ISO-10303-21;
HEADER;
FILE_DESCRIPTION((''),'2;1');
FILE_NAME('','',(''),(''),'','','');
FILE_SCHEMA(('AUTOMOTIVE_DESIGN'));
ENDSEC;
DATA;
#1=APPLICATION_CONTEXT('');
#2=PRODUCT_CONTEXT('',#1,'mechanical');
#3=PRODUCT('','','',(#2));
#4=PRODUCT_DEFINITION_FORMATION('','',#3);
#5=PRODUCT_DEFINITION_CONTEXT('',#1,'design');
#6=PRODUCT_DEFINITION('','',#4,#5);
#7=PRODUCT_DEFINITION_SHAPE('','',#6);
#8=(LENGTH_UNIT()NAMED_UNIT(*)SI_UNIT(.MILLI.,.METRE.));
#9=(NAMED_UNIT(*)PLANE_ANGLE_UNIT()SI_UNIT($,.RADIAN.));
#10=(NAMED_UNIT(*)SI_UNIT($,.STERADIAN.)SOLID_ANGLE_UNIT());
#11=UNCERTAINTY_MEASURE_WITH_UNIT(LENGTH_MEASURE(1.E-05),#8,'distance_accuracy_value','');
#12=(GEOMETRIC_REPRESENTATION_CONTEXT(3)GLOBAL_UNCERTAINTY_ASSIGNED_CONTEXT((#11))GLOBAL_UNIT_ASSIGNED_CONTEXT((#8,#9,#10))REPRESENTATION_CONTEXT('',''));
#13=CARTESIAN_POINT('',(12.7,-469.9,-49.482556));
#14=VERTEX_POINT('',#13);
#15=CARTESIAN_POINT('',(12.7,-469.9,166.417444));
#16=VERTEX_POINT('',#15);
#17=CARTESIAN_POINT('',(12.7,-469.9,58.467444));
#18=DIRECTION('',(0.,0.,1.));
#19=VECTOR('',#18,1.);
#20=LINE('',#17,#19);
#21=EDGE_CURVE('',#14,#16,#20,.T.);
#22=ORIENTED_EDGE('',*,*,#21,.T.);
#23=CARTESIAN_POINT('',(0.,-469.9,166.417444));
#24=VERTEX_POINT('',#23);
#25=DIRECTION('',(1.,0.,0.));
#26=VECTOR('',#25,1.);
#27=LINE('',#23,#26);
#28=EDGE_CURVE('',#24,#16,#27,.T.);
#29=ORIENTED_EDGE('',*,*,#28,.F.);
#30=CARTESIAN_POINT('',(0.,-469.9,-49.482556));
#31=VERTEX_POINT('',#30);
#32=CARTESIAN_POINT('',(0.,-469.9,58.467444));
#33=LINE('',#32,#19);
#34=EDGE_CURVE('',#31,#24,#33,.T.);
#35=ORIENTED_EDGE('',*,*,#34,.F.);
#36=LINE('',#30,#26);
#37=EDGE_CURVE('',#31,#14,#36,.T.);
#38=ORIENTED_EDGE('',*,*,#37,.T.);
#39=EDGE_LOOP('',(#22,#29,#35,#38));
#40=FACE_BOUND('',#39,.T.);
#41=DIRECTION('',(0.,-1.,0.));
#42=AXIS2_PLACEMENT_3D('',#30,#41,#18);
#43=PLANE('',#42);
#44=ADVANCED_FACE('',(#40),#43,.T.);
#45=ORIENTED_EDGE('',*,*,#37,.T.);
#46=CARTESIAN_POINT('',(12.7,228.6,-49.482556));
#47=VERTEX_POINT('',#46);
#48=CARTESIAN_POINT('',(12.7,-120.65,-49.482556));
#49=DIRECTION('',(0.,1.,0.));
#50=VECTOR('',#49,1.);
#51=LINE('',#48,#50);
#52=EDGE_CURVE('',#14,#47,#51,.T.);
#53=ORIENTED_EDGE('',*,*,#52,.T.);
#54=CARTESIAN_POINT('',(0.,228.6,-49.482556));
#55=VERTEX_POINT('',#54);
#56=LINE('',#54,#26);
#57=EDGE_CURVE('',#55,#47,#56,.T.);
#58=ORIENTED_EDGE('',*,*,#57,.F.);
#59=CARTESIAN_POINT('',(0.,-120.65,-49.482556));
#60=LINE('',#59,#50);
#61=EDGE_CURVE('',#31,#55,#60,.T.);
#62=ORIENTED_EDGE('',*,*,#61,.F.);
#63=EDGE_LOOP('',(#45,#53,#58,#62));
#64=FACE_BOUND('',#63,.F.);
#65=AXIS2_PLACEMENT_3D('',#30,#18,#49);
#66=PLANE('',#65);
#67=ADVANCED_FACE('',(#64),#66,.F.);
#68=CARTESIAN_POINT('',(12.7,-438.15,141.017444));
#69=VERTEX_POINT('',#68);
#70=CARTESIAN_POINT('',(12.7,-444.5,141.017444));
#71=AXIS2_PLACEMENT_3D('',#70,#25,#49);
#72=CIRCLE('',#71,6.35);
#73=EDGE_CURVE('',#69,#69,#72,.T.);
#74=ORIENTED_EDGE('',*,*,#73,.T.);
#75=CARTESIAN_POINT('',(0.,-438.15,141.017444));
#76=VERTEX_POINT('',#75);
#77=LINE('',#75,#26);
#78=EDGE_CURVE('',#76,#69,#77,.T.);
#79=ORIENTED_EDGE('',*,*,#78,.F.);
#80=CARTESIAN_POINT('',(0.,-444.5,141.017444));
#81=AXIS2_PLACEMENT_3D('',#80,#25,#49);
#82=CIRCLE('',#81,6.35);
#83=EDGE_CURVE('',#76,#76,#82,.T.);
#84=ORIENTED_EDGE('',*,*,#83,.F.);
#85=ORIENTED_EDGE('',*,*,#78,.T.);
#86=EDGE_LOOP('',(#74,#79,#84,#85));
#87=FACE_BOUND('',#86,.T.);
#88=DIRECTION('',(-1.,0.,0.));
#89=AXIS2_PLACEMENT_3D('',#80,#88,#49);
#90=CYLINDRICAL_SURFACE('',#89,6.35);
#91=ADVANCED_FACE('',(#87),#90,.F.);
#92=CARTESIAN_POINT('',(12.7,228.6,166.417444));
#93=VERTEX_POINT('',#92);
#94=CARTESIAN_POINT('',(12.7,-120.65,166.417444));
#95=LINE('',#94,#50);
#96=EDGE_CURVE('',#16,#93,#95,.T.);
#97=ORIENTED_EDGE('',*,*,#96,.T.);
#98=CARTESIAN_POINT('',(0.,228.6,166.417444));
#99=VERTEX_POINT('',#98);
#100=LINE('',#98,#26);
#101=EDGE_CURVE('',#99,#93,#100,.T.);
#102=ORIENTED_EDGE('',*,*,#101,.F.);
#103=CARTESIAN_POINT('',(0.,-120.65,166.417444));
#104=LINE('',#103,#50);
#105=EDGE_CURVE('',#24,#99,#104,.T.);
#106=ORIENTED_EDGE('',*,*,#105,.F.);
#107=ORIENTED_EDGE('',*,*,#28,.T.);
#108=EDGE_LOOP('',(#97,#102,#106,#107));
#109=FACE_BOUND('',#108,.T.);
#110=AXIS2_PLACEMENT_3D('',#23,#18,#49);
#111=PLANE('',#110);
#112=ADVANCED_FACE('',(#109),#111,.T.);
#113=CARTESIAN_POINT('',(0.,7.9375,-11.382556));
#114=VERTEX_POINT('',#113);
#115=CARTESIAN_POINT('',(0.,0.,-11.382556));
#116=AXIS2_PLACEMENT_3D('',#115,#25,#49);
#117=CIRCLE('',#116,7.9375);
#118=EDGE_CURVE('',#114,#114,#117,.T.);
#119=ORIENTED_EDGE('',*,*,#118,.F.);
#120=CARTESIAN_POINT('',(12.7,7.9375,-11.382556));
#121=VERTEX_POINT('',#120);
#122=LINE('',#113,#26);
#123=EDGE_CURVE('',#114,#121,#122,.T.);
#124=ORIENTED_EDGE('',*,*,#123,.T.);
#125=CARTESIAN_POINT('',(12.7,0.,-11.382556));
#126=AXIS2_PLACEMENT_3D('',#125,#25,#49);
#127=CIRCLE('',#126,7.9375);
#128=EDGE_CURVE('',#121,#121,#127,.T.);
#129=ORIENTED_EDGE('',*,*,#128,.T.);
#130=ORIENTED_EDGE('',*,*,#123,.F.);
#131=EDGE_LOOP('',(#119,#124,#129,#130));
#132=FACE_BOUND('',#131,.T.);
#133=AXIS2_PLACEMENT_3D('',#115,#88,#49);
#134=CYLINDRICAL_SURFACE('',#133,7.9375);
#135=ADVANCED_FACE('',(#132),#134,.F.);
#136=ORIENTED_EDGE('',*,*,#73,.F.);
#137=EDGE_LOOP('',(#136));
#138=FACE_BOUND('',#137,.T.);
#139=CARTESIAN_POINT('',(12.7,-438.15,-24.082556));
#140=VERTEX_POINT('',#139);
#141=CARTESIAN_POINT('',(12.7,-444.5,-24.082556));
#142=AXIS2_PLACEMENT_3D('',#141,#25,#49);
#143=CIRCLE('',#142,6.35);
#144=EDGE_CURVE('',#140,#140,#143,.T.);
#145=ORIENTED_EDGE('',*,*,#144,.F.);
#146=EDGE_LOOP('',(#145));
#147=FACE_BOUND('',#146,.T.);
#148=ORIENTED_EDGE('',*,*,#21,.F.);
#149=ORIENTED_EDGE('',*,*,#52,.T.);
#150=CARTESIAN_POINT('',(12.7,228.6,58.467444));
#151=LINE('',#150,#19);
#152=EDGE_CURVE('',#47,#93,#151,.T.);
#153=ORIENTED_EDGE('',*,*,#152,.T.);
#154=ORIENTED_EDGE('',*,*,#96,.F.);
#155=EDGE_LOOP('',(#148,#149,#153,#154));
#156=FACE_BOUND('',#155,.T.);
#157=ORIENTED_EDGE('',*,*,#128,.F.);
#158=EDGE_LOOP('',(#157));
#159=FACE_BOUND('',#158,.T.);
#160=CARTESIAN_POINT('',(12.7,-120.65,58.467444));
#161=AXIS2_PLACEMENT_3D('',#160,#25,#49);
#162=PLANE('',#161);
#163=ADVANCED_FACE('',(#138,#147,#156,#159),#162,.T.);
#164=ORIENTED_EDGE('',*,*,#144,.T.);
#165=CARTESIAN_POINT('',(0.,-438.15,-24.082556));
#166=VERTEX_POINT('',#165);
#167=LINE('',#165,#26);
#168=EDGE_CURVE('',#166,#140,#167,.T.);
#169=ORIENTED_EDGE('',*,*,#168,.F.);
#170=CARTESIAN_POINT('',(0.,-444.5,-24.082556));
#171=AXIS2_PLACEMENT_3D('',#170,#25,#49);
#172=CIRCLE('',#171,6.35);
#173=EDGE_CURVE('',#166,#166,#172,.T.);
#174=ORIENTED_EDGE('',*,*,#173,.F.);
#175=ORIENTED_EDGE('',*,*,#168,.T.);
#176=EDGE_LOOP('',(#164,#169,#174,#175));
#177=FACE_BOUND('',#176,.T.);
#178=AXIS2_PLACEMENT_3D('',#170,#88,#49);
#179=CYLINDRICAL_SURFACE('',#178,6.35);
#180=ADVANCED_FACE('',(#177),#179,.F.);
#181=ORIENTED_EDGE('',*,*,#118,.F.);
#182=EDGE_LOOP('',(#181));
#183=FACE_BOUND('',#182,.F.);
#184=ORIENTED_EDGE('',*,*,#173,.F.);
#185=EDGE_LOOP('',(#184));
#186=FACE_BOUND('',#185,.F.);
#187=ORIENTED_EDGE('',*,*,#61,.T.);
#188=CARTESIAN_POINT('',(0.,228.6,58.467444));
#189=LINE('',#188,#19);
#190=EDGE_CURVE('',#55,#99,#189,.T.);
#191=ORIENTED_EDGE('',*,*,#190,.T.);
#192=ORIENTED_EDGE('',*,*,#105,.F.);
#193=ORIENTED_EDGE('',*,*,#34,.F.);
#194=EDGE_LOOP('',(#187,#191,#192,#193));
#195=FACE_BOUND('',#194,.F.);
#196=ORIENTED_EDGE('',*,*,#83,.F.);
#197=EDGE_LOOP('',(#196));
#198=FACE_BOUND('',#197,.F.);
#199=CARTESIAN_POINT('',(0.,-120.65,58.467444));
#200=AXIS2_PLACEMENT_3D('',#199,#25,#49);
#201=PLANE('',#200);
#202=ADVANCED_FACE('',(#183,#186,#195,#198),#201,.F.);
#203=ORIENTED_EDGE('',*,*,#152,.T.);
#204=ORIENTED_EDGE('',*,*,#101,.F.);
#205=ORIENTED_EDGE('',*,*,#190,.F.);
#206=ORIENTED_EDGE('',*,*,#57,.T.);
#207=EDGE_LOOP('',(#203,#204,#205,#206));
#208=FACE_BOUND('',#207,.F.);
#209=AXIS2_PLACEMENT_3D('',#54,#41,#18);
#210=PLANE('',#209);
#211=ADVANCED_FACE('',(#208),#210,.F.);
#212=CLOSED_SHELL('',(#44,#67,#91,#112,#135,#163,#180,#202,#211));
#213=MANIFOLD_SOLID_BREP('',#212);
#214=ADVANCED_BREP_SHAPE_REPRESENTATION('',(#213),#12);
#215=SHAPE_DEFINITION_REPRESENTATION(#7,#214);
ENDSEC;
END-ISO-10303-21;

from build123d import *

# Parameters (mm, degrees)
F0_W     = 698.5
F0_H     = 215.9
F0_R     = 6.35
F0_R_2   = 7.9375
F1_DEPTH = 12.7


with BuildPart() as f1:
    # F0 (on Right) → F1 (new body)
    with BuildSketch(Plane.YZ):
        with Locations((-120.65, 58.467444)):
            Rectangle(F0_W, F0_H)
        with Locations((-444.5, -24.082556)):
            Circle(F0_R, mode=Mode.SUBTRACT)
        with Locations((0, -11.382556)):
            Circle(F0_R_2, mode=Mode.SUBTRACT)
        with Locations((-444.5, 141.017444)):
            Circle(F0_R, mode=Mode.SUBTRACT)
    extrude(amount=F1_DEPTH)


solid = f1.part
